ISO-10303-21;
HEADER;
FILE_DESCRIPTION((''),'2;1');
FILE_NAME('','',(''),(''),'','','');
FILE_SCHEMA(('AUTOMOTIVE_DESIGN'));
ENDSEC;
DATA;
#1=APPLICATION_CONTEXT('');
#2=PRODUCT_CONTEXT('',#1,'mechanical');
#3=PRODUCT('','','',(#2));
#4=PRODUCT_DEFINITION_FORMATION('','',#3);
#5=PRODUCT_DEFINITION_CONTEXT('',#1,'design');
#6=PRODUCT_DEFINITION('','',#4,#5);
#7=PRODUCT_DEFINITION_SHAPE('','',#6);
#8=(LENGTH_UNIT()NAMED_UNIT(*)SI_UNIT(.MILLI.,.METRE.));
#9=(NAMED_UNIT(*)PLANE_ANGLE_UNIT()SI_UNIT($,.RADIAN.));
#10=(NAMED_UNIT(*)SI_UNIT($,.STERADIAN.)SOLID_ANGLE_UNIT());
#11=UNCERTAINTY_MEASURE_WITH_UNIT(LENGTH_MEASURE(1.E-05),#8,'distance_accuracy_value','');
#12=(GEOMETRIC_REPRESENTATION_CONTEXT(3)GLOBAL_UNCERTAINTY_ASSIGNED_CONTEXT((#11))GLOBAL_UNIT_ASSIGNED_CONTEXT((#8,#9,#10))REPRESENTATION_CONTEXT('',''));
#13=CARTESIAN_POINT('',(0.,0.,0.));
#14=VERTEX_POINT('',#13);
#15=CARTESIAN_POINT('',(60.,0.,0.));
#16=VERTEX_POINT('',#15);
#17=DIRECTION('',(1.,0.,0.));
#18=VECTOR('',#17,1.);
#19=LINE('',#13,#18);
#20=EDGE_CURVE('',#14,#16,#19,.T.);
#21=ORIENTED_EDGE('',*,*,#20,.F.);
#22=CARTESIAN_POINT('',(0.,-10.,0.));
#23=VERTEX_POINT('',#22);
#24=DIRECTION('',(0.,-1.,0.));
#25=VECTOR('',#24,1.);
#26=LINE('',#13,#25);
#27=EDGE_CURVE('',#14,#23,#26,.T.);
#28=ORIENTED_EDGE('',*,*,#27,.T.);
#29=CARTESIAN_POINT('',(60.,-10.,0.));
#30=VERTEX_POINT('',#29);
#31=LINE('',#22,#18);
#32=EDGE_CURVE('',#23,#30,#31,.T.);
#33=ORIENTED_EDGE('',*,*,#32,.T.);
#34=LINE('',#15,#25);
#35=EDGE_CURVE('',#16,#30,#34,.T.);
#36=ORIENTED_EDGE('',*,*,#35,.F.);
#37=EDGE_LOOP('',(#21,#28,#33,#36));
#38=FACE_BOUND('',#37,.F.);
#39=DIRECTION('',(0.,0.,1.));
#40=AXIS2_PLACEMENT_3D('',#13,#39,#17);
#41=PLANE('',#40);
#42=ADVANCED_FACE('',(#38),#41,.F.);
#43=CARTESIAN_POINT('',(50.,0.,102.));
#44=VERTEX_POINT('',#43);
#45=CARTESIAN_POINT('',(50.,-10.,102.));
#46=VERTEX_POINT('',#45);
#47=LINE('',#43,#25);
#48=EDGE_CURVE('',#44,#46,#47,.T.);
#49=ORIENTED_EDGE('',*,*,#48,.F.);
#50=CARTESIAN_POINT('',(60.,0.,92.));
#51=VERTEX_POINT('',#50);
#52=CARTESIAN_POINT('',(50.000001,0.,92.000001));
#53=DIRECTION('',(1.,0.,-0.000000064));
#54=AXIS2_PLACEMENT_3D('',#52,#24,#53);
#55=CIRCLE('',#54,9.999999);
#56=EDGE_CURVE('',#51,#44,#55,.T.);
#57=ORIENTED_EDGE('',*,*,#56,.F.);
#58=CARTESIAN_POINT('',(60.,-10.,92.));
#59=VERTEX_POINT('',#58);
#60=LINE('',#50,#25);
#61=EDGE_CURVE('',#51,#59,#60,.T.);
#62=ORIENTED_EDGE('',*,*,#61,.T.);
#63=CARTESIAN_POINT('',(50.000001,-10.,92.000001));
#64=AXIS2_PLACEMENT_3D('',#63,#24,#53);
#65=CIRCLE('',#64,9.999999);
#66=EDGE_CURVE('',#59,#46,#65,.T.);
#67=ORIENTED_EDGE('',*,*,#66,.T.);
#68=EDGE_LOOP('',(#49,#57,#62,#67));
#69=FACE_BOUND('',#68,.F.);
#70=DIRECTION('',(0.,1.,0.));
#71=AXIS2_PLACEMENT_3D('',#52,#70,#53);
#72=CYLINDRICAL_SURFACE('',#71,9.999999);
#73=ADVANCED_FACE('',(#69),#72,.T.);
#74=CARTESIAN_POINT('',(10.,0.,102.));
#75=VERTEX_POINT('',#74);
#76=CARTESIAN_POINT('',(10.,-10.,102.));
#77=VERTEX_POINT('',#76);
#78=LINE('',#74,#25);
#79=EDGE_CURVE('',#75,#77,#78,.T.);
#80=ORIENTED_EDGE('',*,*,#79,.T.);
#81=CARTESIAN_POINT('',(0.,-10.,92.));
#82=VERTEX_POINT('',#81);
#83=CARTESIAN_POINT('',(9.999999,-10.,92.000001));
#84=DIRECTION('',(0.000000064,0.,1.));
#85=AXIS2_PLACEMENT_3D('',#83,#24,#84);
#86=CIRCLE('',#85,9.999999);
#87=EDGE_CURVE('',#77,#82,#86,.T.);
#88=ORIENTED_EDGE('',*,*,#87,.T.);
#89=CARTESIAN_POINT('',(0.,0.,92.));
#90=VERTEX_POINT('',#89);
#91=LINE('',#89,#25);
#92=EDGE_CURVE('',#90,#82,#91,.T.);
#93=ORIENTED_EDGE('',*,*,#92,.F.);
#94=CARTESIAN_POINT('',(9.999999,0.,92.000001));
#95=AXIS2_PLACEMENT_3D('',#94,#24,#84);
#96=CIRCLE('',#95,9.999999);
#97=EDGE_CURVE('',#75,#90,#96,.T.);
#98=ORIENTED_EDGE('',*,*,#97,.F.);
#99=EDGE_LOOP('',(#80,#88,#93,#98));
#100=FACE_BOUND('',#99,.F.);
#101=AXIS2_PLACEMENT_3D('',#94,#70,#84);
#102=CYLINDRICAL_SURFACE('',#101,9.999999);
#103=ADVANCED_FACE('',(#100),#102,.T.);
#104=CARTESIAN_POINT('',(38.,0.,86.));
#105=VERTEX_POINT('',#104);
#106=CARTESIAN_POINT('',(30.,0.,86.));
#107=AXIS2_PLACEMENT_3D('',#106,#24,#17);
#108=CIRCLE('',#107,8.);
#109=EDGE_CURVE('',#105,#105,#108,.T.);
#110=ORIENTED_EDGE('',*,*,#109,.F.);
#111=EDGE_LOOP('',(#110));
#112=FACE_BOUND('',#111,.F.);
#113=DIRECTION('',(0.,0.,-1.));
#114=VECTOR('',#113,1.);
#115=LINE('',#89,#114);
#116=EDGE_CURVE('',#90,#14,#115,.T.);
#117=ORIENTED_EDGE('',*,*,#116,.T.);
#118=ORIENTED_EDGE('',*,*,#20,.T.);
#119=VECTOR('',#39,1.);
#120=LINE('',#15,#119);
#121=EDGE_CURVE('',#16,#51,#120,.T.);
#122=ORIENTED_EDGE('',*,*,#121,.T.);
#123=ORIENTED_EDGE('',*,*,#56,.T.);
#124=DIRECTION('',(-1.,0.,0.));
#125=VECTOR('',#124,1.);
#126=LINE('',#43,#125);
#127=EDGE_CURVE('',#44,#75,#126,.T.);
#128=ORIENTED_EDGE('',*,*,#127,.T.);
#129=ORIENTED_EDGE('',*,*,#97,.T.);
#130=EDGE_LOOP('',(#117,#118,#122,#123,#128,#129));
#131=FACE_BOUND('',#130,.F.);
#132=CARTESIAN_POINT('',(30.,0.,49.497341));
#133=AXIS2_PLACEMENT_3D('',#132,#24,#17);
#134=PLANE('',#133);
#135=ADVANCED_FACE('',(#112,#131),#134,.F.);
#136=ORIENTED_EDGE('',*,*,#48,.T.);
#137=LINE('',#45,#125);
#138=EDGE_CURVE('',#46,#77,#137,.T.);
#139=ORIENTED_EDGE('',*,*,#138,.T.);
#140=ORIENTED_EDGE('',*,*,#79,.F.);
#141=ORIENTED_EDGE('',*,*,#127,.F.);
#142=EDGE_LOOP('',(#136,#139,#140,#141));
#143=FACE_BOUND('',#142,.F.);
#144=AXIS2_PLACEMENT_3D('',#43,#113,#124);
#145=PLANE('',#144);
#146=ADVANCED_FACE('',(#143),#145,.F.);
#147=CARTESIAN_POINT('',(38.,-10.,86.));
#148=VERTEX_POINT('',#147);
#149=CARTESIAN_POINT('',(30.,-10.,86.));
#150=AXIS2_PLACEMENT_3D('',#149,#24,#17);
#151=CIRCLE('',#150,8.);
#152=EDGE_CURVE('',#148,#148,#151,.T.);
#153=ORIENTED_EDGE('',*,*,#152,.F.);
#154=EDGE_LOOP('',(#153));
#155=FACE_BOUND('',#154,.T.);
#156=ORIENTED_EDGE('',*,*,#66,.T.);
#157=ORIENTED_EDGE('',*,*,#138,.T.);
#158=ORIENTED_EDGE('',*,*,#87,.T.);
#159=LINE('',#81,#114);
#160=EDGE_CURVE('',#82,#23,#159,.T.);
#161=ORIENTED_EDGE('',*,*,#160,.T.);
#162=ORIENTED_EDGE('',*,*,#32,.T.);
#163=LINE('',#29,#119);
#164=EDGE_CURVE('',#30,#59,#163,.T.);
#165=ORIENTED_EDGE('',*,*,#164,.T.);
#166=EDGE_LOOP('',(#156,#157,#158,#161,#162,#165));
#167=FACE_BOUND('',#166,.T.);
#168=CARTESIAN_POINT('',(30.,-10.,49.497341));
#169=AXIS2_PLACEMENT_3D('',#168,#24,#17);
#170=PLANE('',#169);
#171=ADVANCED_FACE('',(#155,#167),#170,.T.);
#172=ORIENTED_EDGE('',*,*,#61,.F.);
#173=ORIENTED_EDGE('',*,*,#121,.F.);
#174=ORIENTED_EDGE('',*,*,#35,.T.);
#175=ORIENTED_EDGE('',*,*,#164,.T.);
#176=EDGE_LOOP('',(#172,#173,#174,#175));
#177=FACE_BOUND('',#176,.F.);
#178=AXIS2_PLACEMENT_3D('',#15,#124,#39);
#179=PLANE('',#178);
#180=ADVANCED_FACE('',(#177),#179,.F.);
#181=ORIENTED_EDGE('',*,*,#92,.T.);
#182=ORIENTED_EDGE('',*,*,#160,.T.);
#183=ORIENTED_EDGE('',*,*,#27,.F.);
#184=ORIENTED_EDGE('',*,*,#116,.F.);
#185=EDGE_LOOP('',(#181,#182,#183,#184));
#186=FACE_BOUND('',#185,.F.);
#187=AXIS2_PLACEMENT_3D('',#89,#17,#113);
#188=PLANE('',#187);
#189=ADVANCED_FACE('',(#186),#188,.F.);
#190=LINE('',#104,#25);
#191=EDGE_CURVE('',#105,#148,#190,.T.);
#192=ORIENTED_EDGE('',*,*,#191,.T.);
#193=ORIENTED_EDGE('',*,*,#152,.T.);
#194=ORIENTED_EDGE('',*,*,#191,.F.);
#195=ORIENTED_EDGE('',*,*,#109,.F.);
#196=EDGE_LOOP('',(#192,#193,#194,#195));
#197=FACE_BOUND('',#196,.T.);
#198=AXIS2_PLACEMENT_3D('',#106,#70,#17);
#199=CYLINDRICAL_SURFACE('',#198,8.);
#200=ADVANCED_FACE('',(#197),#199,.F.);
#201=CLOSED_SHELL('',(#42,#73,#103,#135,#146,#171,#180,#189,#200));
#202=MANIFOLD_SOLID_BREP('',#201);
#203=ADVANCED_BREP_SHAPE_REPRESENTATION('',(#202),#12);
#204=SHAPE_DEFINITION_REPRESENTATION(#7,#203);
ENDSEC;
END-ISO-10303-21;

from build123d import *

# Parameters (mm, degrees)
F0_R     = 8
F1_DEPTH = 10


with BuildPart() as f1:
    # F0 (on Front) → F1 (new body)
    with BuildSketch(Plane.XZ):
        with BuildLine():
            Line((0, 92), (0, 0))
            Line((0, 0), (60, 0))
            Line((60, 0), (60, 92))
            ThreePointArc((60, 92), (57.071068, 99.071068), (50, 102))
            Line((50, 102), (10, 102))
            ThreePointArc((10, 102), (2.928932, 99.071068), (0, 92))
        make_face()
        with Locations((30, 86)):
            Circle(F0_R, mode=Mode.SUBTRACT)
    extrude(amount=F1_DEPTH)


solid = f1.part
